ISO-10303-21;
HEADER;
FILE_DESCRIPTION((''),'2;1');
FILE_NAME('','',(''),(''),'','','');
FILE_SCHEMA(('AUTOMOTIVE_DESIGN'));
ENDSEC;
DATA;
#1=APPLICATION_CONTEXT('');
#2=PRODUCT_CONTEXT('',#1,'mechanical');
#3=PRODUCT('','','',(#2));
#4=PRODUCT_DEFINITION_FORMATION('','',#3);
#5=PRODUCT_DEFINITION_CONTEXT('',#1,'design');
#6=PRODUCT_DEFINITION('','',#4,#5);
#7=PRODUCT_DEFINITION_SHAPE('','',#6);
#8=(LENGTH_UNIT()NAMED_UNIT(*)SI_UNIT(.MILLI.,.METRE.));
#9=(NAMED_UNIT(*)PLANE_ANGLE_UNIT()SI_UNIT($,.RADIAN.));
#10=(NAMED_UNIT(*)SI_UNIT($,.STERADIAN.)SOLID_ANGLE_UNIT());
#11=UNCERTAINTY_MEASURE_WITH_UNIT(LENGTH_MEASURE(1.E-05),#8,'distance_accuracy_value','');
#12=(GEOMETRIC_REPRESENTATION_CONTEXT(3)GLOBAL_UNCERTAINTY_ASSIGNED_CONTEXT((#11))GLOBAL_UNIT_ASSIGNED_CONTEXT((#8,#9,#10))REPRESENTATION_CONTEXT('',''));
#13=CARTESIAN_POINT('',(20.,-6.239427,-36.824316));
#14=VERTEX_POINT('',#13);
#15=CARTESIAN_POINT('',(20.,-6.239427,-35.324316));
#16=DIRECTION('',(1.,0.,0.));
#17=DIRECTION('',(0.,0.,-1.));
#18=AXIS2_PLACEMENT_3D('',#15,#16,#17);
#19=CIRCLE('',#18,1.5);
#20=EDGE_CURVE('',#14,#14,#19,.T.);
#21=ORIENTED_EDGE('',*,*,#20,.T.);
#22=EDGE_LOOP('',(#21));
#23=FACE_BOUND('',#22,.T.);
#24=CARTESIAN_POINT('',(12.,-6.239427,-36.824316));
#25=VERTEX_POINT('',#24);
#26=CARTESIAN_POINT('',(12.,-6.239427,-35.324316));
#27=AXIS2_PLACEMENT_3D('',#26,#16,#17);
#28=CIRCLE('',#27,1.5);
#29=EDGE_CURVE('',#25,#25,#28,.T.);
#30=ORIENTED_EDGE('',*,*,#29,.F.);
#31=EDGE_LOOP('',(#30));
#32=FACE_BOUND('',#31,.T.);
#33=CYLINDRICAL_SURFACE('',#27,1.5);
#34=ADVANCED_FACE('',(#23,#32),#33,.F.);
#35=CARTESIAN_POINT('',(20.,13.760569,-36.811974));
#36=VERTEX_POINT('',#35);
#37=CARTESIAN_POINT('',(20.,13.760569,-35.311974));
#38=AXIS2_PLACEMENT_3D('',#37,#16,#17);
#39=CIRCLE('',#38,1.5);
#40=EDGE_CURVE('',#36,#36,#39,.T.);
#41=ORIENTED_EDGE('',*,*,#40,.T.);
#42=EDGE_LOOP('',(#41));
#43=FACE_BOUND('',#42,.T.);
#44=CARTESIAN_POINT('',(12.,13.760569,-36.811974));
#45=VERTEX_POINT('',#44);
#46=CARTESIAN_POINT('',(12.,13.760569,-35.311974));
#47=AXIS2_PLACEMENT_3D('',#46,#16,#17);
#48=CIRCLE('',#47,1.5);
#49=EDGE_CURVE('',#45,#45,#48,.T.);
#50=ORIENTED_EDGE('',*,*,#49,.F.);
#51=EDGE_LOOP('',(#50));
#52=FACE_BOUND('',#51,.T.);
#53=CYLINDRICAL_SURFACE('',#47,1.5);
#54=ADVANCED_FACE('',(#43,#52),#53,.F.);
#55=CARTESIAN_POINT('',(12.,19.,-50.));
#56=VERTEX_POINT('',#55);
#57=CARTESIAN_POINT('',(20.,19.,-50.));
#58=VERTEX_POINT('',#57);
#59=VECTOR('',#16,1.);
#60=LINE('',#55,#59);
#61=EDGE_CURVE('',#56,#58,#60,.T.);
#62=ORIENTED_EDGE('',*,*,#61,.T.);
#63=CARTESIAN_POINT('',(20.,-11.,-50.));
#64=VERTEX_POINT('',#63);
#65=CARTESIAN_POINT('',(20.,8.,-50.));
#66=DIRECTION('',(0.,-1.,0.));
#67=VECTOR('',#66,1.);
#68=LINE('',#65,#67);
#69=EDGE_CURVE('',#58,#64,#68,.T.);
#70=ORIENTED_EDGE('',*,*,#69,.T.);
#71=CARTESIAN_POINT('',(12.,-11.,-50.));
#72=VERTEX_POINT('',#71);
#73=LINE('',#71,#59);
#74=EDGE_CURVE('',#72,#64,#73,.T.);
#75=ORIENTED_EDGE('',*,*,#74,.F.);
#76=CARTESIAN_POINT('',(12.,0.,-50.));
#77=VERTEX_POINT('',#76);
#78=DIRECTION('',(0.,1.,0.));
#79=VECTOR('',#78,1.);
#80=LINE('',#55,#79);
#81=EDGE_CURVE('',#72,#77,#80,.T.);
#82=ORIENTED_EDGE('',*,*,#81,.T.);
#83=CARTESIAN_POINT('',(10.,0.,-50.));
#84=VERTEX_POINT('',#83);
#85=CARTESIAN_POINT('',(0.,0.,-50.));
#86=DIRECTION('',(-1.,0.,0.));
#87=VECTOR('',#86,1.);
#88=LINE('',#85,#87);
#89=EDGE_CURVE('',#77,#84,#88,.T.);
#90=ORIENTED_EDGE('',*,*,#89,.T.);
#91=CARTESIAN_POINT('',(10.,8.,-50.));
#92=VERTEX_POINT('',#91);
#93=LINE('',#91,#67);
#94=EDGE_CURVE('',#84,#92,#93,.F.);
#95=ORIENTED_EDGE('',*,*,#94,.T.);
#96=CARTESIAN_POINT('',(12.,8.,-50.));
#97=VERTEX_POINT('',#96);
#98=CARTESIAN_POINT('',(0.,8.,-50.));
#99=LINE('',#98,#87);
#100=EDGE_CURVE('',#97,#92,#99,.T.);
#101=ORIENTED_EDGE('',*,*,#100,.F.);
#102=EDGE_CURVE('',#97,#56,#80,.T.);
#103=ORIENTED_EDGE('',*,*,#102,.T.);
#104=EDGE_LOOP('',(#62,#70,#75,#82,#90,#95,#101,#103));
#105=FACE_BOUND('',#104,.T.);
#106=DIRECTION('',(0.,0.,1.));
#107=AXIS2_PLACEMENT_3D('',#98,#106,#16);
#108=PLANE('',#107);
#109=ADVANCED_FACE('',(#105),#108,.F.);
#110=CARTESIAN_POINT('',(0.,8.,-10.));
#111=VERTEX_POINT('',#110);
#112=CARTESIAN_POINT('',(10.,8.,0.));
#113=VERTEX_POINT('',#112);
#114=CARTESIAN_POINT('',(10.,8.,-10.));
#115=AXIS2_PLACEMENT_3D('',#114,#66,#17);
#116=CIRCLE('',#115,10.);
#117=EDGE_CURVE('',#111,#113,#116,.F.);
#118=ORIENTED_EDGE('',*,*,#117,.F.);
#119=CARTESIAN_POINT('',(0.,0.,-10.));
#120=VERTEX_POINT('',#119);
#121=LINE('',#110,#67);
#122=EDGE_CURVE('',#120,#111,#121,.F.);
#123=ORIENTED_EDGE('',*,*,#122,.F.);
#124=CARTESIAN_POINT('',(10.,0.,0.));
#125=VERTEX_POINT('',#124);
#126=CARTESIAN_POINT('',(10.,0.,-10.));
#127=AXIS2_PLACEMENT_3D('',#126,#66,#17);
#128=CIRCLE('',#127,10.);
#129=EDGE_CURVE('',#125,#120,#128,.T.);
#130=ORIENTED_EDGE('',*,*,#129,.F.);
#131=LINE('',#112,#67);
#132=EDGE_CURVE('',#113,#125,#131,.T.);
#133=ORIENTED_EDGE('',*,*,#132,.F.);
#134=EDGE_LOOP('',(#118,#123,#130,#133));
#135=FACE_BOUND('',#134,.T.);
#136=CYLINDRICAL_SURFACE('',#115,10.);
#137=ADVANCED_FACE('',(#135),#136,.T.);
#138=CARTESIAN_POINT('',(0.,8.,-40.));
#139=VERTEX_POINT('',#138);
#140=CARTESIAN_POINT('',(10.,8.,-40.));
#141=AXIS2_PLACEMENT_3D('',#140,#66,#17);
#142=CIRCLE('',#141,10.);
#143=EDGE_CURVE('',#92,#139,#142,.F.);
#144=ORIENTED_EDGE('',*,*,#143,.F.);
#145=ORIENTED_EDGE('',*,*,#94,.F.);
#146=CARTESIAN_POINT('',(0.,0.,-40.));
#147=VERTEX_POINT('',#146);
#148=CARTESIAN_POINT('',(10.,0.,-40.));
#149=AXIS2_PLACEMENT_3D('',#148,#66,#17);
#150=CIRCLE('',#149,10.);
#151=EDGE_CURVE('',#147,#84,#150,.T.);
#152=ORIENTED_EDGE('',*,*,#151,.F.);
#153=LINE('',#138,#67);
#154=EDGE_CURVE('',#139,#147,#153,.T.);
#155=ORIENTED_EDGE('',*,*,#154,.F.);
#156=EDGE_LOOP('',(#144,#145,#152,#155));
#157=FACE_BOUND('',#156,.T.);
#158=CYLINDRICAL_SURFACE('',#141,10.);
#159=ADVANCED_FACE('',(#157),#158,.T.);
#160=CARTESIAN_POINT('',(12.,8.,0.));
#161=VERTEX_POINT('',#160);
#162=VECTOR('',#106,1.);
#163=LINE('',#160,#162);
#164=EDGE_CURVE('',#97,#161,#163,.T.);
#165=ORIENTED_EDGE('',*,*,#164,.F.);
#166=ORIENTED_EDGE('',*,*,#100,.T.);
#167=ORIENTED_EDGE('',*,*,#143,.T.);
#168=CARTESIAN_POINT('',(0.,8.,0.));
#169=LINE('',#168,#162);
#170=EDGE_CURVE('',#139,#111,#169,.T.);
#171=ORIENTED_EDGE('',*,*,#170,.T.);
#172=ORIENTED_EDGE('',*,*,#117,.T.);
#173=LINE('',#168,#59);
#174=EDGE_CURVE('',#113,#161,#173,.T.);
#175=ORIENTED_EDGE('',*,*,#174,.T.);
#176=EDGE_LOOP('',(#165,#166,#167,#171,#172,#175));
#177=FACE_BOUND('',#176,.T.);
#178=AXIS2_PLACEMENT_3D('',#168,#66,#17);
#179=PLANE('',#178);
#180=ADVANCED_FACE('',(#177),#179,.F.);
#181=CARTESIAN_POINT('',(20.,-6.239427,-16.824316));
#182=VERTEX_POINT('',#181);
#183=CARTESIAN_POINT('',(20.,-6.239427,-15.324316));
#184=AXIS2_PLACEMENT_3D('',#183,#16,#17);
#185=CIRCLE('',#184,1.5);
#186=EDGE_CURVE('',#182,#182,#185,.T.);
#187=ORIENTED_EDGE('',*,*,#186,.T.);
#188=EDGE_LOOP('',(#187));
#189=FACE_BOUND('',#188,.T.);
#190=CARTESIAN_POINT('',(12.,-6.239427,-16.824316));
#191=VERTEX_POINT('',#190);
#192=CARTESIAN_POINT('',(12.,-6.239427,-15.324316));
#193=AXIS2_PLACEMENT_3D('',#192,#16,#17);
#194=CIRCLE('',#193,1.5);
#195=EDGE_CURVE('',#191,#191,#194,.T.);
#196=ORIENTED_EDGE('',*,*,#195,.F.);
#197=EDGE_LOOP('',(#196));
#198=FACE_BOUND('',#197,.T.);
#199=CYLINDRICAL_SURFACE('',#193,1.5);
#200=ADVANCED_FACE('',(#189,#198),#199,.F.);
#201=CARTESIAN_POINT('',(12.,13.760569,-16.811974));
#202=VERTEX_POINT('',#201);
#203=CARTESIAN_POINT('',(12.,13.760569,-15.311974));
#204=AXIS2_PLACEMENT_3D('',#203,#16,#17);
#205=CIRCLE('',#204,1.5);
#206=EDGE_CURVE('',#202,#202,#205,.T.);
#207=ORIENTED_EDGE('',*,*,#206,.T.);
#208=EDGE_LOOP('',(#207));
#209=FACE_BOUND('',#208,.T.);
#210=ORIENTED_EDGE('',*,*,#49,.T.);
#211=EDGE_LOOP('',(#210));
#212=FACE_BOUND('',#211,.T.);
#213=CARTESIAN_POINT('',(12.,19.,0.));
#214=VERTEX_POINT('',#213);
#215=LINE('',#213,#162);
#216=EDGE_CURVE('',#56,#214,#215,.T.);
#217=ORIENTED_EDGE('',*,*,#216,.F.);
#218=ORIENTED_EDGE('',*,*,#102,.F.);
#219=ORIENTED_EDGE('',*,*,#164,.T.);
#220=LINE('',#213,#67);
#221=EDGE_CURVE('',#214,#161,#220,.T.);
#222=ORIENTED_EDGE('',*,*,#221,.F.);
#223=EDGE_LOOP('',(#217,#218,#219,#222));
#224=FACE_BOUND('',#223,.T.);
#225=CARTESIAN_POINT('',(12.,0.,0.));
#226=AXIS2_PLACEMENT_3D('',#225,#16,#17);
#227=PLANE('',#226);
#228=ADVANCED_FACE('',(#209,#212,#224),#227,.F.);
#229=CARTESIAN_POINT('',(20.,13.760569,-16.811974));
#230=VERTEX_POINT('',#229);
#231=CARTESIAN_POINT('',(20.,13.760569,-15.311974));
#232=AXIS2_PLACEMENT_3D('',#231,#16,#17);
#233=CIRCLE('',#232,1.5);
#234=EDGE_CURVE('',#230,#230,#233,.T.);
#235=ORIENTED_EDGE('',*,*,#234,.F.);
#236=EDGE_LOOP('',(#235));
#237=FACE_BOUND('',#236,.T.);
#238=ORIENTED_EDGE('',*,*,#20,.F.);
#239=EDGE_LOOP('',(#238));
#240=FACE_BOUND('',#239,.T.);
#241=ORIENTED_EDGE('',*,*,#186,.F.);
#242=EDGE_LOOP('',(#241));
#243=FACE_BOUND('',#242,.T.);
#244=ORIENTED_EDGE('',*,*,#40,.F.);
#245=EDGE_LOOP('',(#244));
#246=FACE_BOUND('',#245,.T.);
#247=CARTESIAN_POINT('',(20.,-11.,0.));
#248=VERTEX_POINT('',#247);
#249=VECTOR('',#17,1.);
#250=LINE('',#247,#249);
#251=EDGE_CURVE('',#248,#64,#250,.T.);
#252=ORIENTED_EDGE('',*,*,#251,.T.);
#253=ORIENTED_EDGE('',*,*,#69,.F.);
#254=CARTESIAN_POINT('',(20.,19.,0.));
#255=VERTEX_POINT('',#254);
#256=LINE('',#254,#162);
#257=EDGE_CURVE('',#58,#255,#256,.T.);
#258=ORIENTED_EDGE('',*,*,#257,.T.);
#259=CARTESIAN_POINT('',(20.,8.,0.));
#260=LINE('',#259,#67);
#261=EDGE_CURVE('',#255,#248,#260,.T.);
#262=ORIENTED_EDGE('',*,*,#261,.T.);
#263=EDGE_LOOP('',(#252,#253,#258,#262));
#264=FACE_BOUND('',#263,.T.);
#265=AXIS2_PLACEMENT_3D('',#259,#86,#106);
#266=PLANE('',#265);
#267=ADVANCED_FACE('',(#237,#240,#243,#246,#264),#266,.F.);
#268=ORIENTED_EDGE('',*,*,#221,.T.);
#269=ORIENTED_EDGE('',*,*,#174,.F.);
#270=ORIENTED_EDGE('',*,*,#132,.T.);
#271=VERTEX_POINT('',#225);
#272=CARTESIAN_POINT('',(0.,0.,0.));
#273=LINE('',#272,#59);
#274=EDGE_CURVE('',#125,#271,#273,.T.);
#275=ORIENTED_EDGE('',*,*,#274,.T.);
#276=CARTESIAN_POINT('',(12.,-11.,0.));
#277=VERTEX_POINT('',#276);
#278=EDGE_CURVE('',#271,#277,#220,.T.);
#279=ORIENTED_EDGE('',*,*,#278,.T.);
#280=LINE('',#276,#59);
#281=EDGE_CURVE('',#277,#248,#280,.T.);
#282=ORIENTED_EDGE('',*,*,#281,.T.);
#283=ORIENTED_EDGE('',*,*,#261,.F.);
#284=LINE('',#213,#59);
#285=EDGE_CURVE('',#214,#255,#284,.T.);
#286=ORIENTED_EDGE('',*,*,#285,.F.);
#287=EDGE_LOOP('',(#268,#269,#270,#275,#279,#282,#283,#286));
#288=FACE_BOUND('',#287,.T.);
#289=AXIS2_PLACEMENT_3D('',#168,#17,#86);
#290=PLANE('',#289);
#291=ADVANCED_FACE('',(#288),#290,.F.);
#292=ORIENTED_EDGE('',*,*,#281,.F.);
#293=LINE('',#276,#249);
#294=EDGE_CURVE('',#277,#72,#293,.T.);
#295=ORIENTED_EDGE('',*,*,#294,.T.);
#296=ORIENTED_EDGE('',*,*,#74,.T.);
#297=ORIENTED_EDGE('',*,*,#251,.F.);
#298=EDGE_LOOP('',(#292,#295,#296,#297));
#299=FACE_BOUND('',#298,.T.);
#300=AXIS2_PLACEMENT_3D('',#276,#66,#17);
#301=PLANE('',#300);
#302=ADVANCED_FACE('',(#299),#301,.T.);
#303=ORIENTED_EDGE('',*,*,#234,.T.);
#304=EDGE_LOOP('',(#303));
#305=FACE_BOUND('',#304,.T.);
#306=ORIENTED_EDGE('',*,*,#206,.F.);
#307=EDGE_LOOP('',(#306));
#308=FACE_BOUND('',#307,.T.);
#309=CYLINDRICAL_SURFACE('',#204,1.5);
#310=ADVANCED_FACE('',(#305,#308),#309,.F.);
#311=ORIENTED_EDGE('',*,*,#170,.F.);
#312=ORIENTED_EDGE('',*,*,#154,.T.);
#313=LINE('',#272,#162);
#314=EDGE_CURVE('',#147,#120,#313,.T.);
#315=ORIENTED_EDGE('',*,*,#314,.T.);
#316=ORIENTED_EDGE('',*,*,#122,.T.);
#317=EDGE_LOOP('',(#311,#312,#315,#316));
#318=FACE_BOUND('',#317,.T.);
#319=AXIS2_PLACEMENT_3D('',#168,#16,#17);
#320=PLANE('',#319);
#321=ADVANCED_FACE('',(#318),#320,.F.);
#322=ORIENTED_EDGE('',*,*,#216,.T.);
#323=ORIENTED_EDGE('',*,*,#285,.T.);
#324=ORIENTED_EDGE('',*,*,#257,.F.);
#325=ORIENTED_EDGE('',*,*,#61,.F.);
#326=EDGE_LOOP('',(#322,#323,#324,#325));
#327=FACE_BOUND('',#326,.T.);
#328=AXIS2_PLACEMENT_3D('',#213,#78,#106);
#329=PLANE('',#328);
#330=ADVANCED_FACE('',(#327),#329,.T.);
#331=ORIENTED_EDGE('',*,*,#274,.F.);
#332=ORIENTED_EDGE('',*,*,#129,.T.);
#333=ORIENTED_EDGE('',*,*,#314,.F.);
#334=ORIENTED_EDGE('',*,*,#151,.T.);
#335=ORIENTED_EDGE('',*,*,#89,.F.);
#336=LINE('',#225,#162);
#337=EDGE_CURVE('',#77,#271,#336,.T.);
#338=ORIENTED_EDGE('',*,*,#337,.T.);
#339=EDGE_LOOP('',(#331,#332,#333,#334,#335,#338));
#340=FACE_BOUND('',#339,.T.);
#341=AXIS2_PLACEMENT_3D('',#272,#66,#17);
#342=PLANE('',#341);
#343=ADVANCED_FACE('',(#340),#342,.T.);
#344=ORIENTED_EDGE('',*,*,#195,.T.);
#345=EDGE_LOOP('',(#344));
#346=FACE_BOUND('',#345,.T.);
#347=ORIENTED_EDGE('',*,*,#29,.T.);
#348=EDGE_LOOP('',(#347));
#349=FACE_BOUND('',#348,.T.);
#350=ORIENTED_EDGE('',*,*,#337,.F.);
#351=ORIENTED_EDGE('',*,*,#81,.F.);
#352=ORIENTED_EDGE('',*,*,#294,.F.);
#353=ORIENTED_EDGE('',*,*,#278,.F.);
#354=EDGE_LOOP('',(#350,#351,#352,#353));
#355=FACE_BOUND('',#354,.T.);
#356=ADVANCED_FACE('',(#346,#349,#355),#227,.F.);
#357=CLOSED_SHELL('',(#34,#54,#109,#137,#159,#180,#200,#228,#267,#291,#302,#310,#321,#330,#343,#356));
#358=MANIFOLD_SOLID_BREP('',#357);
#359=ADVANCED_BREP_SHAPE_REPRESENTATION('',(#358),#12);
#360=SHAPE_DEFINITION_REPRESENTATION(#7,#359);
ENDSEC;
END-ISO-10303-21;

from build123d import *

# Parameters (mm, degrees)
SKETCH1_W           = 20
SKETCH1_H           = 50
BOSS_EXTRUDE1_DEPTH = 8
FILLET1_R           = 10
SKETCH2_W           = 50
SKETCH2_H           = 30
BOSS_EXTRUDE2_DEPTH = 8
SKETCH3_R           = 1.5
CUT_EXTRUDE1_DEPTH  = 8


with BuildPart() as part:
    # Sketch1 → Boss-Extrude1 (new body)
    with BuildSketch(Plane(origin=(0, 0, 0), x_dir=(1, 0, 0), z_dir=(0, 1, 0))):
        with Locations((10, 25)):
            Rectangle(SKETCH1_W, SKETCH1_H)
    extrude(amount=BOSS_EXTRUDE1_DEPTH)

    # Fillet1
    fillet1_edges = [part.edges().sort_by_distance(p)[0] for p in [
        (0, 4, -50),
        (0, 4, 0),
    ]]
    fillet(fillet1_edges, radius=FILLET1_R)

    # Sketch2 → Boss-Extrude2 (add)
    with BuildSketch(Plane(origin=(20, 0, 0), x_dir=(0, 0, -1), z_dir=(1, 0, 0))):
        with Locations((25, 4)):
            Rectangle(SKETCH2_W, SKETCH2_H)
    extrude(amount=-BOSS_EXTRUDE2_DEPTH)

    # Sketch3 → Cut-Extrude1 (cut)
    with BuildSketch(Plane(origin=(20, 0, 0), x_dir=(0, 0, -1), z_dir=(1, 0, 0))):
        with Locations((15.311973507, 13.760568851)):
            Circle(SKETCH3_R)
        with Locations((15.324315829, -6.23942734)):
            Circle(SKETCH3_R)
        with Locations((35.311973507, 13.760568851)):
            Circle(SKETCH3_R)
        with Locations((35.324315829, -6.23942734)):
            Circle(SKETCH3_R)
    extrude(amount=-CUT_EXTRUDE1_DEPTH, mode=Mode.SUBTRACT)


solid = part.part
